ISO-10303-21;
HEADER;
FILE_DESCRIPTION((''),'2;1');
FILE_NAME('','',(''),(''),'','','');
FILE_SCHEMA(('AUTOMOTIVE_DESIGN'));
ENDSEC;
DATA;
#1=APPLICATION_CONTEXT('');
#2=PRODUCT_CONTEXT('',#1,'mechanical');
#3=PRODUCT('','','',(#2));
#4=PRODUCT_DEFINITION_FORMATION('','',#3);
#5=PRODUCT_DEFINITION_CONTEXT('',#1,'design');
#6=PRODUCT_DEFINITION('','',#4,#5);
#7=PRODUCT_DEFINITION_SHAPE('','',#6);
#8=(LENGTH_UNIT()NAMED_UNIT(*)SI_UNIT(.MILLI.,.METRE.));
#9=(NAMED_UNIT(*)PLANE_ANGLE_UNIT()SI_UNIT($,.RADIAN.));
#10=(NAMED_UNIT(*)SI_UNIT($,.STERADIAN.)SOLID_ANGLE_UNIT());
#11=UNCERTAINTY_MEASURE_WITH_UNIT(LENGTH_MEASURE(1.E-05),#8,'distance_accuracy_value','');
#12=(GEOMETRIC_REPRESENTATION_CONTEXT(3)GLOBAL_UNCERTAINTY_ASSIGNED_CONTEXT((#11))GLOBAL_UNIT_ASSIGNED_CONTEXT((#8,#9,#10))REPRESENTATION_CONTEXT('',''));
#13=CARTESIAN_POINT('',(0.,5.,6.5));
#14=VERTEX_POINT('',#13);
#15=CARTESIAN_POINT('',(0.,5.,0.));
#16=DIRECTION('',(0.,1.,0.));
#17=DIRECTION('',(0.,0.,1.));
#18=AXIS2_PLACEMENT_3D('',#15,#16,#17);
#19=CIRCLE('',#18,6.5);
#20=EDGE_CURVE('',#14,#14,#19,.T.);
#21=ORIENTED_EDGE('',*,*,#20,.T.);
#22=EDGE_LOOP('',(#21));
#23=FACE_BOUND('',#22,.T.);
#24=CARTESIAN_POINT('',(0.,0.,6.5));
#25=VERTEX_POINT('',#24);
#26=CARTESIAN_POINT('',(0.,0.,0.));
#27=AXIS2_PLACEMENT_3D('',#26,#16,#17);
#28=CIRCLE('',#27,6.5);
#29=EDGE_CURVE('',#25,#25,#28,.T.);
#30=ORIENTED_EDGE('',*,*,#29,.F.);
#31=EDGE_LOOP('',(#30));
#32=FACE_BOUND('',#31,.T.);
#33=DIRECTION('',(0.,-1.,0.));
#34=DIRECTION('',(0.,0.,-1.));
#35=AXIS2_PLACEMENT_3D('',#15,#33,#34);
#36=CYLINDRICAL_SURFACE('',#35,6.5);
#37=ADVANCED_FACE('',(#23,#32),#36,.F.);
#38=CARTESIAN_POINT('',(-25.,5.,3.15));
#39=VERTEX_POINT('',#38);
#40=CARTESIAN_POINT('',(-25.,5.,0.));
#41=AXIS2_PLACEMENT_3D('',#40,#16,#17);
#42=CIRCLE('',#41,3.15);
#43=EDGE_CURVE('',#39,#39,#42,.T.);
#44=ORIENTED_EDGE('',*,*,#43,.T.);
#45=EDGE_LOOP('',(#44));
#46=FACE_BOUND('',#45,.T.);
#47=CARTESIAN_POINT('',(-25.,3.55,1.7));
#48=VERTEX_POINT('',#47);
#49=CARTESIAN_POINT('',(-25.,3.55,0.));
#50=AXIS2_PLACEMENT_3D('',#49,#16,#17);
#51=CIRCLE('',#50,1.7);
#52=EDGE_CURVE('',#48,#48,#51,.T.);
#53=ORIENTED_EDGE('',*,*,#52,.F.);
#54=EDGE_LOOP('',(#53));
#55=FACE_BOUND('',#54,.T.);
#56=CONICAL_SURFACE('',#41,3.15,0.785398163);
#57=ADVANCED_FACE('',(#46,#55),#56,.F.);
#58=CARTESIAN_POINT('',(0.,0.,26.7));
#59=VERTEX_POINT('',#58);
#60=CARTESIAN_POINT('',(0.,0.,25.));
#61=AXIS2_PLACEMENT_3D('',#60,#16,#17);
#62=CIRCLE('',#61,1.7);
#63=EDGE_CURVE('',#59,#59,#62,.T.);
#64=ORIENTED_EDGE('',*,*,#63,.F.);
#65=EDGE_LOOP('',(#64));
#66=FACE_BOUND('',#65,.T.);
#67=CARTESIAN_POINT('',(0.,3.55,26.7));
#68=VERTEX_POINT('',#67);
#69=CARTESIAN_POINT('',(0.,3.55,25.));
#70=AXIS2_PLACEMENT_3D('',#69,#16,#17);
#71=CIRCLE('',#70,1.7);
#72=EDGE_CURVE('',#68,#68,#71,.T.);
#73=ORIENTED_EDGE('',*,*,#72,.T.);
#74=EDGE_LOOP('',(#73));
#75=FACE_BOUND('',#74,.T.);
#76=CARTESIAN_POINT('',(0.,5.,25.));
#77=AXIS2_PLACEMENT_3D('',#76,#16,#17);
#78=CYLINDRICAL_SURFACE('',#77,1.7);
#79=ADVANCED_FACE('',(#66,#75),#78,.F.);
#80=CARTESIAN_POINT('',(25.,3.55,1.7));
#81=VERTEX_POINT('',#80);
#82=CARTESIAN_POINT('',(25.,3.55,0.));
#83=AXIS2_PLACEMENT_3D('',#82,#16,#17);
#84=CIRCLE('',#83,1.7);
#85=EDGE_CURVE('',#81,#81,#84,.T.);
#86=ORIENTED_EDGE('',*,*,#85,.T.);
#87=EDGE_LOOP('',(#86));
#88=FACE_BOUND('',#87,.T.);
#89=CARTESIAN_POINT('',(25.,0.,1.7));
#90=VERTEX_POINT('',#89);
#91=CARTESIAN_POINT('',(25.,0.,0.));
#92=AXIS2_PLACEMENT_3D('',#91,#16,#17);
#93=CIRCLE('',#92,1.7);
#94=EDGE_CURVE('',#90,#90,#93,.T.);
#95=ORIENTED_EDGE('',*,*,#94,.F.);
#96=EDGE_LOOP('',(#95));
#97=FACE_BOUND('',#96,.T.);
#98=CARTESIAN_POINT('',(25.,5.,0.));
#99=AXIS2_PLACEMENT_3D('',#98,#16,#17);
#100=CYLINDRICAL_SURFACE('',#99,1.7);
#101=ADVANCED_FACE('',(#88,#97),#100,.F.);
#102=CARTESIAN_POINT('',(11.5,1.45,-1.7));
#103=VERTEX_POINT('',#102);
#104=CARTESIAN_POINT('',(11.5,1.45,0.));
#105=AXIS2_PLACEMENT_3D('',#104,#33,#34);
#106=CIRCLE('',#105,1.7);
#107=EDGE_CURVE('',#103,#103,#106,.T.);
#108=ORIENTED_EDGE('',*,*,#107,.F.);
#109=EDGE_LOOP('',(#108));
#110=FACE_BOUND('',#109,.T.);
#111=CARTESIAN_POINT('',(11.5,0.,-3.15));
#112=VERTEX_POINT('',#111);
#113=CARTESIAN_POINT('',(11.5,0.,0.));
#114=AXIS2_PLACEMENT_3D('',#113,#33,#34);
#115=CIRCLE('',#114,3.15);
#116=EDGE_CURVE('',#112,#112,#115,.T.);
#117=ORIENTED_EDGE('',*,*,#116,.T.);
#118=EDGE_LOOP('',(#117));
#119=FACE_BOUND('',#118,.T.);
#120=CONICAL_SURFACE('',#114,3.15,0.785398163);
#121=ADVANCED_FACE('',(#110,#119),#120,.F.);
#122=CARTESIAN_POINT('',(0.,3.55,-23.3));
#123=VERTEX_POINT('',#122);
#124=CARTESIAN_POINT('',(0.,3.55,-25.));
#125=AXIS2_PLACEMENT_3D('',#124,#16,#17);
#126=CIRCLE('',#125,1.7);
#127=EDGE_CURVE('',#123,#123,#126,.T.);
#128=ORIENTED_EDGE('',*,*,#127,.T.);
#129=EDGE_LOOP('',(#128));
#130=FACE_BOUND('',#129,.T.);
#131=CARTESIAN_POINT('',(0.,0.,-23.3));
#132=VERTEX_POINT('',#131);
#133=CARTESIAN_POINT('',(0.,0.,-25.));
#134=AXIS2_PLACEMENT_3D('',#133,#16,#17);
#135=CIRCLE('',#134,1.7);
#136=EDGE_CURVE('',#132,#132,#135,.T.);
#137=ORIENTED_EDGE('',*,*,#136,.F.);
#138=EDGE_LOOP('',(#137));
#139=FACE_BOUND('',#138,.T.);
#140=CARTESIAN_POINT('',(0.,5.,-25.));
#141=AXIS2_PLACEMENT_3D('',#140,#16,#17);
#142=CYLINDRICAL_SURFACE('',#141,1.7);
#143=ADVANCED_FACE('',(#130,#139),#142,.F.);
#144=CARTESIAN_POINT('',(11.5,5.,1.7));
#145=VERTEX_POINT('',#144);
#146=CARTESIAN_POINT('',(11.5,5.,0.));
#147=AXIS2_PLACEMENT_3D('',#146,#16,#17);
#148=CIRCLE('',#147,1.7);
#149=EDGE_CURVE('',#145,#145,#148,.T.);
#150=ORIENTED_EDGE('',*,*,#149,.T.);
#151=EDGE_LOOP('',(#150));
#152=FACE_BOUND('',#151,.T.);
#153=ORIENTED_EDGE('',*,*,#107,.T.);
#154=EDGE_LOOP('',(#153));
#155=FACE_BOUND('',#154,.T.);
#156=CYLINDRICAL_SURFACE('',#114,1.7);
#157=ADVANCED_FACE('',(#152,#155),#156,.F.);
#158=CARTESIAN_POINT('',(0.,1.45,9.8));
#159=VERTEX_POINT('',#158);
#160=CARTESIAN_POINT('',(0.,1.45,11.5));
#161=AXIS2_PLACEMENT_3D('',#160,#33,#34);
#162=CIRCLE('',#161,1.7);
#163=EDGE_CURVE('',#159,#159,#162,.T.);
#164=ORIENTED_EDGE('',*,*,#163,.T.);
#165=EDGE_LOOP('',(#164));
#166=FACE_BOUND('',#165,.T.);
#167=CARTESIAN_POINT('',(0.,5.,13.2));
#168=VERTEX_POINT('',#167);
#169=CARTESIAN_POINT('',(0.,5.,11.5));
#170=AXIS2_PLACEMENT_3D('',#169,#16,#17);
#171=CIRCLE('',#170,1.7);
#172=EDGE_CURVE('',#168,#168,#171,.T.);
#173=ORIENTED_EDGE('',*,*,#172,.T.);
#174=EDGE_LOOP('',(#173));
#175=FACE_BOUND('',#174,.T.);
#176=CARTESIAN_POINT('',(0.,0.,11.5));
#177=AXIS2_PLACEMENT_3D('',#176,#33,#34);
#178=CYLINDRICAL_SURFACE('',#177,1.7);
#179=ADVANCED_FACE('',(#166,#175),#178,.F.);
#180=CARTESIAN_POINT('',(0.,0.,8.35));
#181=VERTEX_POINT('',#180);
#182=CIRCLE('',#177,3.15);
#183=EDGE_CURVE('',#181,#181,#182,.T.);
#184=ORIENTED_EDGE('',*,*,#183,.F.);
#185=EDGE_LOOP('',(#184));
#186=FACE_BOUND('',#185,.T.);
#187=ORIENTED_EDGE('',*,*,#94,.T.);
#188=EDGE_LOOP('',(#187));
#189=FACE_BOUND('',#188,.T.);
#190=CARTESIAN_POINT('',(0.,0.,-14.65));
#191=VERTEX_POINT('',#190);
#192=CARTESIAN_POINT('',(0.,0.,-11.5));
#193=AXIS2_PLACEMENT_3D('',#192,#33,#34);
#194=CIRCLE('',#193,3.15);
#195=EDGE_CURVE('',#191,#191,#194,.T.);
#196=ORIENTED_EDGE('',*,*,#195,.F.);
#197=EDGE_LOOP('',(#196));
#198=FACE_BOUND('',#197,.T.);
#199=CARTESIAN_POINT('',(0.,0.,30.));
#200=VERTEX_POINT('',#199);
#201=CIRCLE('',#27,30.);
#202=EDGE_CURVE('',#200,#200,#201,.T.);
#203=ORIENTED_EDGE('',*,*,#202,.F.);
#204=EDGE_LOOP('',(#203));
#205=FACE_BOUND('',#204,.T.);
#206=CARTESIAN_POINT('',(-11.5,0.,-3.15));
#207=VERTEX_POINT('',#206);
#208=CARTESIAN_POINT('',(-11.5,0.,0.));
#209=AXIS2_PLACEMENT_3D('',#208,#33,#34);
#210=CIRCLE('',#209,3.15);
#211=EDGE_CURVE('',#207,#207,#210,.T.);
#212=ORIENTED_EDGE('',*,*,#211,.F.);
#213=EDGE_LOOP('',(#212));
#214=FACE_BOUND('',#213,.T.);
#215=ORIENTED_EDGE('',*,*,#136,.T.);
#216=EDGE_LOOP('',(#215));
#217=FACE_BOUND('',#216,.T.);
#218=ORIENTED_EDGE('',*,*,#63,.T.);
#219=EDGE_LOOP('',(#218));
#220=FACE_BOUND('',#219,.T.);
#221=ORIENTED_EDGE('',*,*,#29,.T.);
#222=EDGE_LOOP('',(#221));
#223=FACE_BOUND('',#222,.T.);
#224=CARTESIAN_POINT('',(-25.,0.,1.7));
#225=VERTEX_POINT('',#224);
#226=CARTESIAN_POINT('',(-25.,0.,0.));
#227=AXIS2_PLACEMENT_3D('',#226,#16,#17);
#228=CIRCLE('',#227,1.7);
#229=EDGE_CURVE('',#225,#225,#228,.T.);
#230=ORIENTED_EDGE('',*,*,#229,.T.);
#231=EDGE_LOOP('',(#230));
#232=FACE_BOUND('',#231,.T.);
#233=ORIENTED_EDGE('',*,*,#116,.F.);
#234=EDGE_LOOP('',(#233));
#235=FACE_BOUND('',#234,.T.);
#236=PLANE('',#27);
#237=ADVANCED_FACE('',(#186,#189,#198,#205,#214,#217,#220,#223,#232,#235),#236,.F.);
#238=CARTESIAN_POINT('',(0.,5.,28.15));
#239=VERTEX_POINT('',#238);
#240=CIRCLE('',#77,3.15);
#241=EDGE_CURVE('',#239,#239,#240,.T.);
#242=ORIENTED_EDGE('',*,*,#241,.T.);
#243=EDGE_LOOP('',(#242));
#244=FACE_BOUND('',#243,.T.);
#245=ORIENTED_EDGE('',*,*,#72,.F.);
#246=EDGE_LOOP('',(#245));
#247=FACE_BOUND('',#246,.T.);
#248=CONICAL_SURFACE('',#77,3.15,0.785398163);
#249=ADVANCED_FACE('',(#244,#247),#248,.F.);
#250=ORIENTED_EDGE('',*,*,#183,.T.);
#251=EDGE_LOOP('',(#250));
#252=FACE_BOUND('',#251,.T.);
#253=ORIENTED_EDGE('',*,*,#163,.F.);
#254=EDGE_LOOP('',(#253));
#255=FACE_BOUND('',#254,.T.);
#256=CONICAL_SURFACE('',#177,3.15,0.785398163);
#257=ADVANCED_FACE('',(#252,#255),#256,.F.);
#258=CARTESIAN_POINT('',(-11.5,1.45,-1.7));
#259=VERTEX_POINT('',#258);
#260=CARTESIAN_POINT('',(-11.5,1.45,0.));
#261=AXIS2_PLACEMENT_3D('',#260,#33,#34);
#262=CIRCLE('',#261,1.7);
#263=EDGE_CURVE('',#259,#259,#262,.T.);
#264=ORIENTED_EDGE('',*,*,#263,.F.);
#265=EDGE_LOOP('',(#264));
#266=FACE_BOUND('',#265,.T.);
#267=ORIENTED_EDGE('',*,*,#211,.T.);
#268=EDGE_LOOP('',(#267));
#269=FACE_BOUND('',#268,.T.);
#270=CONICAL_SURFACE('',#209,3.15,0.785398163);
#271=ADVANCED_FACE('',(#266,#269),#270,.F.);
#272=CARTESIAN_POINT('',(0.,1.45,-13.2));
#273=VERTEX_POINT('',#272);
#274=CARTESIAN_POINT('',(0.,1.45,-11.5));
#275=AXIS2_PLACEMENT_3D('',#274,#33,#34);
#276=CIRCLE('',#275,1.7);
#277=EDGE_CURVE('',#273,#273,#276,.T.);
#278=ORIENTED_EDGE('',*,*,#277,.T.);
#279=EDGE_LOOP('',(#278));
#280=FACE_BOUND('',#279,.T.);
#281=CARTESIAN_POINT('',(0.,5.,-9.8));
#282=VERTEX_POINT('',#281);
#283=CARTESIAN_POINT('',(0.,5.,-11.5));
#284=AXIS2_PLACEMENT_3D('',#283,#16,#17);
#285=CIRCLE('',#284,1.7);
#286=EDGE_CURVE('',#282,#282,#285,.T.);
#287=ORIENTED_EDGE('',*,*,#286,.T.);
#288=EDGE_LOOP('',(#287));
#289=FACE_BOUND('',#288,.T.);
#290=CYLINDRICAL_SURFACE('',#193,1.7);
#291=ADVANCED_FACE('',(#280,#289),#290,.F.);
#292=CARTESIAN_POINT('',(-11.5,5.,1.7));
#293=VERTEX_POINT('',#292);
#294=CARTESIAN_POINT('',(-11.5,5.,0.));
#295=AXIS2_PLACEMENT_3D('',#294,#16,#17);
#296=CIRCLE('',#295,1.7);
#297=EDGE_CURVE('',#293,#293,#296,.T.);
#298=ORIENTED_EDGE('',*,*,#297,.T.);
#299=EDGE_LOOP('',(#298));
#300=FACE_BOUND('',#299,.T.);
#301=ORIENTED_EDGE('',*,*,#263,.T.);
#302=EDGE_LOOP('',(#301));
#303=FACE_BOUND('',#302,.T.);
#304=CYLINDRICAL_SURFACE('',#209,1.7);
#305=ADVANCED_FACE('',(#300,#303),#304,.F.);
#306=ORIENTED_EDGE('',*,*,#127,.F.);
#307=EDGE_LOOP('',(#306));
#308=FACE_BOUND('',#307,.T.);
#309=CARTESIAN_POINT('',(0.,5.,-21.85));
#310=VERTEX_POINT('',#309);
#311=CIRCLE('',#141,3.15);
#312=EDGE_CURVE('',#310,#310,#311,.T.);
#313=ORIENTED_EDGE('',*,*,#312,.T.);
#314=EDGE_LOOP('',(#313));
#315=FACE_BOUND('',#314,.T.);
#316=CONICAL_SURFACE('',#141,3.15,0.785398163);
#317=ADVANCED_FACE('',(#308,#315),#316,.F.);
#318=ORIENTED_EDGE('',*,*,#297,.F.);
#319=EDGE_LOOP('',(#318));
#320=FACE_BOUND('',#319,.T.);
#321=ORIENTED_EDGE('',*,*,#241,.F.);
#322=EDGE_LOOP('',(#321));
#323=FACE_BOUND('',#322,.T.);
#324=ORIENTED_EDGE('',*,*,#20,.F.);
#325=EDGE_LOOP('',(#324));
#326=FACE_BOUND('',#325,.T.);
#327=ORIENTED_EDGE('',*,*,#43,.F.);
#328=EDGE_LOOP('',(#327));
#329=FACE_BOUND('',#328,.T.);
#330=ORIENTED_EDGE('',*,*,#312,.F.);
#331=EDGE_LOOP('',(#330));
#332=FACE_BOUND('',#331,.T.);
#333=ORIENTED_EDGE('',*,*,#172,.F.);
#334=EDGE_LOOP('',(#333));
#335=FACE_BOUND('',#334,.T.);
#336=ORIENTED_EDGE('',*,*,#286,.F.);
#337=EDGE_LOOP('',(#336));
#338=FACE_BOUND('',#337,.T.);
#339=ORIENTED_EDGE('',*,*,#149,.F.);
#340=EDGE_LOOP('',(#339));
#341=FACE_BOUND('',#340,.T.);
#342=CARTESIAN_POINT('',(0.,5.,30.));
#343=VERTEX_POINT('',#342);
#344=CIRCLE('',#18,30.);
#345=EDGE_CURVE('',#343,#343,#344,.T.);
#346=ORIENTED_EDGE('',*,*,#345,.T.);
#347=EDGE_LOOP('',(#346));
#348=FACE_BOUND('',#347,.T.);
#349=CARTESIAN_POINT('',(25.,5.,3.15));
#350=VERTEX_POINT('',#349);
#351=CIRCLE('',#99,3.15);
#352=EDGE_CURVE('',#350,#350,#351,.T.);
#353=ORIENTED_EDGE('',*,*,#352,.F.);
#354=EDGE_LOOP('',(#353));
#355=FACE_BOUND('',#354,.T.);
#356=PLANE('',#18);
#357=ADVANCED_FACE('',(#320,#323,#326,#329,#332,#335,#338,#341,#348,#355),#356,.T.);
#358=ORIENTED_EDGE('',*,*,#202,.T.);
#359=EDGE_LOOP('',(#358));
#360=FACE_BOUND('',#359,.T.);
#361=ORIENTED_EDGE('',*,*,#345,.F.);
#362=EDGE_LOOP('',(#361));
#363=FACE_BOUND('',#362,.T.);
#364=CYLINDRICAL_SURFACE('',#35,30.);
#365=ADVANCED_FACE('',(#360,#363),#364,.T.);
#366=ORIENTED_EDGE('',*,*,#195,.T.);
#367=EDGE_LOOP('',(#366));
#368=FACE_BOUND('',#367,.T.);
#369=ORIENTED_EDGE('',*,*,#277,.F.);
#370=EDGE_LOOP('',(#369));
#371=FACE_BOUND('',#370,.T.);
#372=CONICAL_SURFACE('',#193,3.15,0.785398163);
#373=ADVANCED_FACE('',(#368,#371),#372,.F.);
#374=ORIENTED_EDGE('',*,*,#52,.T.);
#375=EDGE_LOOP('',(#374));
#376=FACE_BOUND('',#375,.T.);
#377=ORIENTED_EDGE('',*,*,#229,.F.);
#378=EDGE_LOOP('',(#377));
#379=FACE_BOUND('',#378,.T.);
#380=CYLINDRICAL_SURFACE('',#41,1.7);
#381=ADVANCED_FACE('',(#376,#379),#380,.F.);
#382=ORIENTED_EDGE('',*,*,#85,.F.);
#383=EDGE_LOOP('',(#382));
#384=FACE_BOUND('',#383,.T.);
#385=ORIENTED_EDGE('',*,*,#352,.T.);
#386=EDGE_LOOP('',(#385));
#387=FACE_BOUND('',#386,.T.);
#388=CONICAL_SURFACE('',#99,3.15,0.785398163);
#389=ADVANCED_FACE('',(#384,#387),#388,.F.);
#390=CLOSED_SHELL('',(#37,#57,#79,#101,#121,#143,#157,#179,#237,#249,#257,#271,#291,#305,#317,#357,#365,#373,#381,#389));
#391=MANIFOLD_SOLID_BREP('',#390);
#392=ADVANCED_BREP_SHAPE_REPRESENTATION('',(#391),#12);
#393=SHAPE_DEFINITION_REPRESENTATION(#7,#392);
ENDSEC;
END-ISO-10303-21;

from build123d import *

# Parameters (mm, degrees)
SKETCH1_R                                           = 30
SKETCH1_R_2                                         = 6.5
BOSS_EXTRUDE1_DEPTH                                 = 5
CSK_FOR_M3_COUNTERSUNK_FLAT_HEAD_SCREW1_D           = 3.4
CSK_FOR_M3_COUNTERSUNK_FLAT_HEAD_SCREW1_DEPTH       = 5
CSK_FOR_M3_COUNTERSUNK_FLAT_HEAD_SCREW1_CSINK_D     = 6.3
CSK_FOR_M3_COUNTERSUNK_FLAT_HEAD_SCREW1_CSINK_ANGLE = 90
CSK_FOR_M3_COUNTERSUNK_FLAT_HEAD_SCREW2_D           = 3.4
CSK_FOR_M3_COUNTERSUNK_FLAT_HEAD_SCREW2_DEPTH       = 5
CSK_FOR_M3_COUNTERSUNK_FLAT_HEAD_SCREW2_CSINK_D     = 6.3
CSK_FOR_M3_COUNTERSUNK_FLAT_HEAD_SCREW2_CSINK_ANGLE = 90


with BuildPart() as part:
    # Sketch1 → Boss-Extrude1 (new body)
    with BuildSketch(Plane(origin=(0, 0, 0), x_dir=(1, 0, 0), z_dir=(0, 1, 0))):
        Circle(SKETCH1_R)
        Circle(SKETCH1_R_2, mode=Mode.SUBTRACT)
    extrude(amount=BOSS_EXTRUDE1_DEPTH)

    # CSK for M3 Countersunk Flat Head Screw1
    with Locations(Plane(origin=(0, 5, 0), x_dir=(1, 0, 0), z_dir=(0, 1, 0))):
        with Locations((0, 25), (-25, 0), (0, -25), (25, 0)):
            CounterSinkHole(CSK_FOR_M3_COUNTERSUNK_FLAT_HEAD_SCREW1_D / 2, CSK_FOR_M3_COUNTERSUNK_FLAT_HEAD_SCREW1_CSINK_D / 2, depth=CSK_FOR_M3_COUNTERSUNK_FLAT_HEAD_SCREW1_DEPTH, counter_sink_angle=CSK_FOR_M3_COUNTERSUNK_FLAT_HEAD_SCREW1_CSINK_ANGLE)

    # CSK for M3 Countersunk Flat Head Screw2
    with Locations(Plane(origin=(0, 0, 0), x_dir=(-1, 0, 0), z_dir=(0, -1, 0))):
        with Locations((0, 11.5), (-11.5, 0), (0, -11.5), (11.5, 0)):
            CounterSinkHole(CSK_FOR_M3_COUNTERSUNK_FLAT_HEAD_SCREW2_D / 2, CSK_FOR_M3_COUNTERSUNK_FLAT_HEAD_SCREW2_CSINK_D / 2, depth=CSK_FOR_M3_COUNTERSUNK_FLAT_HEAD_SCREW2_DEPTH, counter_sink_angle=CSK_FOR_M3_COUNTERSUNK_FLAT_HEAD_SCREW2_CSINK_ANGLE)


solid = part.part
